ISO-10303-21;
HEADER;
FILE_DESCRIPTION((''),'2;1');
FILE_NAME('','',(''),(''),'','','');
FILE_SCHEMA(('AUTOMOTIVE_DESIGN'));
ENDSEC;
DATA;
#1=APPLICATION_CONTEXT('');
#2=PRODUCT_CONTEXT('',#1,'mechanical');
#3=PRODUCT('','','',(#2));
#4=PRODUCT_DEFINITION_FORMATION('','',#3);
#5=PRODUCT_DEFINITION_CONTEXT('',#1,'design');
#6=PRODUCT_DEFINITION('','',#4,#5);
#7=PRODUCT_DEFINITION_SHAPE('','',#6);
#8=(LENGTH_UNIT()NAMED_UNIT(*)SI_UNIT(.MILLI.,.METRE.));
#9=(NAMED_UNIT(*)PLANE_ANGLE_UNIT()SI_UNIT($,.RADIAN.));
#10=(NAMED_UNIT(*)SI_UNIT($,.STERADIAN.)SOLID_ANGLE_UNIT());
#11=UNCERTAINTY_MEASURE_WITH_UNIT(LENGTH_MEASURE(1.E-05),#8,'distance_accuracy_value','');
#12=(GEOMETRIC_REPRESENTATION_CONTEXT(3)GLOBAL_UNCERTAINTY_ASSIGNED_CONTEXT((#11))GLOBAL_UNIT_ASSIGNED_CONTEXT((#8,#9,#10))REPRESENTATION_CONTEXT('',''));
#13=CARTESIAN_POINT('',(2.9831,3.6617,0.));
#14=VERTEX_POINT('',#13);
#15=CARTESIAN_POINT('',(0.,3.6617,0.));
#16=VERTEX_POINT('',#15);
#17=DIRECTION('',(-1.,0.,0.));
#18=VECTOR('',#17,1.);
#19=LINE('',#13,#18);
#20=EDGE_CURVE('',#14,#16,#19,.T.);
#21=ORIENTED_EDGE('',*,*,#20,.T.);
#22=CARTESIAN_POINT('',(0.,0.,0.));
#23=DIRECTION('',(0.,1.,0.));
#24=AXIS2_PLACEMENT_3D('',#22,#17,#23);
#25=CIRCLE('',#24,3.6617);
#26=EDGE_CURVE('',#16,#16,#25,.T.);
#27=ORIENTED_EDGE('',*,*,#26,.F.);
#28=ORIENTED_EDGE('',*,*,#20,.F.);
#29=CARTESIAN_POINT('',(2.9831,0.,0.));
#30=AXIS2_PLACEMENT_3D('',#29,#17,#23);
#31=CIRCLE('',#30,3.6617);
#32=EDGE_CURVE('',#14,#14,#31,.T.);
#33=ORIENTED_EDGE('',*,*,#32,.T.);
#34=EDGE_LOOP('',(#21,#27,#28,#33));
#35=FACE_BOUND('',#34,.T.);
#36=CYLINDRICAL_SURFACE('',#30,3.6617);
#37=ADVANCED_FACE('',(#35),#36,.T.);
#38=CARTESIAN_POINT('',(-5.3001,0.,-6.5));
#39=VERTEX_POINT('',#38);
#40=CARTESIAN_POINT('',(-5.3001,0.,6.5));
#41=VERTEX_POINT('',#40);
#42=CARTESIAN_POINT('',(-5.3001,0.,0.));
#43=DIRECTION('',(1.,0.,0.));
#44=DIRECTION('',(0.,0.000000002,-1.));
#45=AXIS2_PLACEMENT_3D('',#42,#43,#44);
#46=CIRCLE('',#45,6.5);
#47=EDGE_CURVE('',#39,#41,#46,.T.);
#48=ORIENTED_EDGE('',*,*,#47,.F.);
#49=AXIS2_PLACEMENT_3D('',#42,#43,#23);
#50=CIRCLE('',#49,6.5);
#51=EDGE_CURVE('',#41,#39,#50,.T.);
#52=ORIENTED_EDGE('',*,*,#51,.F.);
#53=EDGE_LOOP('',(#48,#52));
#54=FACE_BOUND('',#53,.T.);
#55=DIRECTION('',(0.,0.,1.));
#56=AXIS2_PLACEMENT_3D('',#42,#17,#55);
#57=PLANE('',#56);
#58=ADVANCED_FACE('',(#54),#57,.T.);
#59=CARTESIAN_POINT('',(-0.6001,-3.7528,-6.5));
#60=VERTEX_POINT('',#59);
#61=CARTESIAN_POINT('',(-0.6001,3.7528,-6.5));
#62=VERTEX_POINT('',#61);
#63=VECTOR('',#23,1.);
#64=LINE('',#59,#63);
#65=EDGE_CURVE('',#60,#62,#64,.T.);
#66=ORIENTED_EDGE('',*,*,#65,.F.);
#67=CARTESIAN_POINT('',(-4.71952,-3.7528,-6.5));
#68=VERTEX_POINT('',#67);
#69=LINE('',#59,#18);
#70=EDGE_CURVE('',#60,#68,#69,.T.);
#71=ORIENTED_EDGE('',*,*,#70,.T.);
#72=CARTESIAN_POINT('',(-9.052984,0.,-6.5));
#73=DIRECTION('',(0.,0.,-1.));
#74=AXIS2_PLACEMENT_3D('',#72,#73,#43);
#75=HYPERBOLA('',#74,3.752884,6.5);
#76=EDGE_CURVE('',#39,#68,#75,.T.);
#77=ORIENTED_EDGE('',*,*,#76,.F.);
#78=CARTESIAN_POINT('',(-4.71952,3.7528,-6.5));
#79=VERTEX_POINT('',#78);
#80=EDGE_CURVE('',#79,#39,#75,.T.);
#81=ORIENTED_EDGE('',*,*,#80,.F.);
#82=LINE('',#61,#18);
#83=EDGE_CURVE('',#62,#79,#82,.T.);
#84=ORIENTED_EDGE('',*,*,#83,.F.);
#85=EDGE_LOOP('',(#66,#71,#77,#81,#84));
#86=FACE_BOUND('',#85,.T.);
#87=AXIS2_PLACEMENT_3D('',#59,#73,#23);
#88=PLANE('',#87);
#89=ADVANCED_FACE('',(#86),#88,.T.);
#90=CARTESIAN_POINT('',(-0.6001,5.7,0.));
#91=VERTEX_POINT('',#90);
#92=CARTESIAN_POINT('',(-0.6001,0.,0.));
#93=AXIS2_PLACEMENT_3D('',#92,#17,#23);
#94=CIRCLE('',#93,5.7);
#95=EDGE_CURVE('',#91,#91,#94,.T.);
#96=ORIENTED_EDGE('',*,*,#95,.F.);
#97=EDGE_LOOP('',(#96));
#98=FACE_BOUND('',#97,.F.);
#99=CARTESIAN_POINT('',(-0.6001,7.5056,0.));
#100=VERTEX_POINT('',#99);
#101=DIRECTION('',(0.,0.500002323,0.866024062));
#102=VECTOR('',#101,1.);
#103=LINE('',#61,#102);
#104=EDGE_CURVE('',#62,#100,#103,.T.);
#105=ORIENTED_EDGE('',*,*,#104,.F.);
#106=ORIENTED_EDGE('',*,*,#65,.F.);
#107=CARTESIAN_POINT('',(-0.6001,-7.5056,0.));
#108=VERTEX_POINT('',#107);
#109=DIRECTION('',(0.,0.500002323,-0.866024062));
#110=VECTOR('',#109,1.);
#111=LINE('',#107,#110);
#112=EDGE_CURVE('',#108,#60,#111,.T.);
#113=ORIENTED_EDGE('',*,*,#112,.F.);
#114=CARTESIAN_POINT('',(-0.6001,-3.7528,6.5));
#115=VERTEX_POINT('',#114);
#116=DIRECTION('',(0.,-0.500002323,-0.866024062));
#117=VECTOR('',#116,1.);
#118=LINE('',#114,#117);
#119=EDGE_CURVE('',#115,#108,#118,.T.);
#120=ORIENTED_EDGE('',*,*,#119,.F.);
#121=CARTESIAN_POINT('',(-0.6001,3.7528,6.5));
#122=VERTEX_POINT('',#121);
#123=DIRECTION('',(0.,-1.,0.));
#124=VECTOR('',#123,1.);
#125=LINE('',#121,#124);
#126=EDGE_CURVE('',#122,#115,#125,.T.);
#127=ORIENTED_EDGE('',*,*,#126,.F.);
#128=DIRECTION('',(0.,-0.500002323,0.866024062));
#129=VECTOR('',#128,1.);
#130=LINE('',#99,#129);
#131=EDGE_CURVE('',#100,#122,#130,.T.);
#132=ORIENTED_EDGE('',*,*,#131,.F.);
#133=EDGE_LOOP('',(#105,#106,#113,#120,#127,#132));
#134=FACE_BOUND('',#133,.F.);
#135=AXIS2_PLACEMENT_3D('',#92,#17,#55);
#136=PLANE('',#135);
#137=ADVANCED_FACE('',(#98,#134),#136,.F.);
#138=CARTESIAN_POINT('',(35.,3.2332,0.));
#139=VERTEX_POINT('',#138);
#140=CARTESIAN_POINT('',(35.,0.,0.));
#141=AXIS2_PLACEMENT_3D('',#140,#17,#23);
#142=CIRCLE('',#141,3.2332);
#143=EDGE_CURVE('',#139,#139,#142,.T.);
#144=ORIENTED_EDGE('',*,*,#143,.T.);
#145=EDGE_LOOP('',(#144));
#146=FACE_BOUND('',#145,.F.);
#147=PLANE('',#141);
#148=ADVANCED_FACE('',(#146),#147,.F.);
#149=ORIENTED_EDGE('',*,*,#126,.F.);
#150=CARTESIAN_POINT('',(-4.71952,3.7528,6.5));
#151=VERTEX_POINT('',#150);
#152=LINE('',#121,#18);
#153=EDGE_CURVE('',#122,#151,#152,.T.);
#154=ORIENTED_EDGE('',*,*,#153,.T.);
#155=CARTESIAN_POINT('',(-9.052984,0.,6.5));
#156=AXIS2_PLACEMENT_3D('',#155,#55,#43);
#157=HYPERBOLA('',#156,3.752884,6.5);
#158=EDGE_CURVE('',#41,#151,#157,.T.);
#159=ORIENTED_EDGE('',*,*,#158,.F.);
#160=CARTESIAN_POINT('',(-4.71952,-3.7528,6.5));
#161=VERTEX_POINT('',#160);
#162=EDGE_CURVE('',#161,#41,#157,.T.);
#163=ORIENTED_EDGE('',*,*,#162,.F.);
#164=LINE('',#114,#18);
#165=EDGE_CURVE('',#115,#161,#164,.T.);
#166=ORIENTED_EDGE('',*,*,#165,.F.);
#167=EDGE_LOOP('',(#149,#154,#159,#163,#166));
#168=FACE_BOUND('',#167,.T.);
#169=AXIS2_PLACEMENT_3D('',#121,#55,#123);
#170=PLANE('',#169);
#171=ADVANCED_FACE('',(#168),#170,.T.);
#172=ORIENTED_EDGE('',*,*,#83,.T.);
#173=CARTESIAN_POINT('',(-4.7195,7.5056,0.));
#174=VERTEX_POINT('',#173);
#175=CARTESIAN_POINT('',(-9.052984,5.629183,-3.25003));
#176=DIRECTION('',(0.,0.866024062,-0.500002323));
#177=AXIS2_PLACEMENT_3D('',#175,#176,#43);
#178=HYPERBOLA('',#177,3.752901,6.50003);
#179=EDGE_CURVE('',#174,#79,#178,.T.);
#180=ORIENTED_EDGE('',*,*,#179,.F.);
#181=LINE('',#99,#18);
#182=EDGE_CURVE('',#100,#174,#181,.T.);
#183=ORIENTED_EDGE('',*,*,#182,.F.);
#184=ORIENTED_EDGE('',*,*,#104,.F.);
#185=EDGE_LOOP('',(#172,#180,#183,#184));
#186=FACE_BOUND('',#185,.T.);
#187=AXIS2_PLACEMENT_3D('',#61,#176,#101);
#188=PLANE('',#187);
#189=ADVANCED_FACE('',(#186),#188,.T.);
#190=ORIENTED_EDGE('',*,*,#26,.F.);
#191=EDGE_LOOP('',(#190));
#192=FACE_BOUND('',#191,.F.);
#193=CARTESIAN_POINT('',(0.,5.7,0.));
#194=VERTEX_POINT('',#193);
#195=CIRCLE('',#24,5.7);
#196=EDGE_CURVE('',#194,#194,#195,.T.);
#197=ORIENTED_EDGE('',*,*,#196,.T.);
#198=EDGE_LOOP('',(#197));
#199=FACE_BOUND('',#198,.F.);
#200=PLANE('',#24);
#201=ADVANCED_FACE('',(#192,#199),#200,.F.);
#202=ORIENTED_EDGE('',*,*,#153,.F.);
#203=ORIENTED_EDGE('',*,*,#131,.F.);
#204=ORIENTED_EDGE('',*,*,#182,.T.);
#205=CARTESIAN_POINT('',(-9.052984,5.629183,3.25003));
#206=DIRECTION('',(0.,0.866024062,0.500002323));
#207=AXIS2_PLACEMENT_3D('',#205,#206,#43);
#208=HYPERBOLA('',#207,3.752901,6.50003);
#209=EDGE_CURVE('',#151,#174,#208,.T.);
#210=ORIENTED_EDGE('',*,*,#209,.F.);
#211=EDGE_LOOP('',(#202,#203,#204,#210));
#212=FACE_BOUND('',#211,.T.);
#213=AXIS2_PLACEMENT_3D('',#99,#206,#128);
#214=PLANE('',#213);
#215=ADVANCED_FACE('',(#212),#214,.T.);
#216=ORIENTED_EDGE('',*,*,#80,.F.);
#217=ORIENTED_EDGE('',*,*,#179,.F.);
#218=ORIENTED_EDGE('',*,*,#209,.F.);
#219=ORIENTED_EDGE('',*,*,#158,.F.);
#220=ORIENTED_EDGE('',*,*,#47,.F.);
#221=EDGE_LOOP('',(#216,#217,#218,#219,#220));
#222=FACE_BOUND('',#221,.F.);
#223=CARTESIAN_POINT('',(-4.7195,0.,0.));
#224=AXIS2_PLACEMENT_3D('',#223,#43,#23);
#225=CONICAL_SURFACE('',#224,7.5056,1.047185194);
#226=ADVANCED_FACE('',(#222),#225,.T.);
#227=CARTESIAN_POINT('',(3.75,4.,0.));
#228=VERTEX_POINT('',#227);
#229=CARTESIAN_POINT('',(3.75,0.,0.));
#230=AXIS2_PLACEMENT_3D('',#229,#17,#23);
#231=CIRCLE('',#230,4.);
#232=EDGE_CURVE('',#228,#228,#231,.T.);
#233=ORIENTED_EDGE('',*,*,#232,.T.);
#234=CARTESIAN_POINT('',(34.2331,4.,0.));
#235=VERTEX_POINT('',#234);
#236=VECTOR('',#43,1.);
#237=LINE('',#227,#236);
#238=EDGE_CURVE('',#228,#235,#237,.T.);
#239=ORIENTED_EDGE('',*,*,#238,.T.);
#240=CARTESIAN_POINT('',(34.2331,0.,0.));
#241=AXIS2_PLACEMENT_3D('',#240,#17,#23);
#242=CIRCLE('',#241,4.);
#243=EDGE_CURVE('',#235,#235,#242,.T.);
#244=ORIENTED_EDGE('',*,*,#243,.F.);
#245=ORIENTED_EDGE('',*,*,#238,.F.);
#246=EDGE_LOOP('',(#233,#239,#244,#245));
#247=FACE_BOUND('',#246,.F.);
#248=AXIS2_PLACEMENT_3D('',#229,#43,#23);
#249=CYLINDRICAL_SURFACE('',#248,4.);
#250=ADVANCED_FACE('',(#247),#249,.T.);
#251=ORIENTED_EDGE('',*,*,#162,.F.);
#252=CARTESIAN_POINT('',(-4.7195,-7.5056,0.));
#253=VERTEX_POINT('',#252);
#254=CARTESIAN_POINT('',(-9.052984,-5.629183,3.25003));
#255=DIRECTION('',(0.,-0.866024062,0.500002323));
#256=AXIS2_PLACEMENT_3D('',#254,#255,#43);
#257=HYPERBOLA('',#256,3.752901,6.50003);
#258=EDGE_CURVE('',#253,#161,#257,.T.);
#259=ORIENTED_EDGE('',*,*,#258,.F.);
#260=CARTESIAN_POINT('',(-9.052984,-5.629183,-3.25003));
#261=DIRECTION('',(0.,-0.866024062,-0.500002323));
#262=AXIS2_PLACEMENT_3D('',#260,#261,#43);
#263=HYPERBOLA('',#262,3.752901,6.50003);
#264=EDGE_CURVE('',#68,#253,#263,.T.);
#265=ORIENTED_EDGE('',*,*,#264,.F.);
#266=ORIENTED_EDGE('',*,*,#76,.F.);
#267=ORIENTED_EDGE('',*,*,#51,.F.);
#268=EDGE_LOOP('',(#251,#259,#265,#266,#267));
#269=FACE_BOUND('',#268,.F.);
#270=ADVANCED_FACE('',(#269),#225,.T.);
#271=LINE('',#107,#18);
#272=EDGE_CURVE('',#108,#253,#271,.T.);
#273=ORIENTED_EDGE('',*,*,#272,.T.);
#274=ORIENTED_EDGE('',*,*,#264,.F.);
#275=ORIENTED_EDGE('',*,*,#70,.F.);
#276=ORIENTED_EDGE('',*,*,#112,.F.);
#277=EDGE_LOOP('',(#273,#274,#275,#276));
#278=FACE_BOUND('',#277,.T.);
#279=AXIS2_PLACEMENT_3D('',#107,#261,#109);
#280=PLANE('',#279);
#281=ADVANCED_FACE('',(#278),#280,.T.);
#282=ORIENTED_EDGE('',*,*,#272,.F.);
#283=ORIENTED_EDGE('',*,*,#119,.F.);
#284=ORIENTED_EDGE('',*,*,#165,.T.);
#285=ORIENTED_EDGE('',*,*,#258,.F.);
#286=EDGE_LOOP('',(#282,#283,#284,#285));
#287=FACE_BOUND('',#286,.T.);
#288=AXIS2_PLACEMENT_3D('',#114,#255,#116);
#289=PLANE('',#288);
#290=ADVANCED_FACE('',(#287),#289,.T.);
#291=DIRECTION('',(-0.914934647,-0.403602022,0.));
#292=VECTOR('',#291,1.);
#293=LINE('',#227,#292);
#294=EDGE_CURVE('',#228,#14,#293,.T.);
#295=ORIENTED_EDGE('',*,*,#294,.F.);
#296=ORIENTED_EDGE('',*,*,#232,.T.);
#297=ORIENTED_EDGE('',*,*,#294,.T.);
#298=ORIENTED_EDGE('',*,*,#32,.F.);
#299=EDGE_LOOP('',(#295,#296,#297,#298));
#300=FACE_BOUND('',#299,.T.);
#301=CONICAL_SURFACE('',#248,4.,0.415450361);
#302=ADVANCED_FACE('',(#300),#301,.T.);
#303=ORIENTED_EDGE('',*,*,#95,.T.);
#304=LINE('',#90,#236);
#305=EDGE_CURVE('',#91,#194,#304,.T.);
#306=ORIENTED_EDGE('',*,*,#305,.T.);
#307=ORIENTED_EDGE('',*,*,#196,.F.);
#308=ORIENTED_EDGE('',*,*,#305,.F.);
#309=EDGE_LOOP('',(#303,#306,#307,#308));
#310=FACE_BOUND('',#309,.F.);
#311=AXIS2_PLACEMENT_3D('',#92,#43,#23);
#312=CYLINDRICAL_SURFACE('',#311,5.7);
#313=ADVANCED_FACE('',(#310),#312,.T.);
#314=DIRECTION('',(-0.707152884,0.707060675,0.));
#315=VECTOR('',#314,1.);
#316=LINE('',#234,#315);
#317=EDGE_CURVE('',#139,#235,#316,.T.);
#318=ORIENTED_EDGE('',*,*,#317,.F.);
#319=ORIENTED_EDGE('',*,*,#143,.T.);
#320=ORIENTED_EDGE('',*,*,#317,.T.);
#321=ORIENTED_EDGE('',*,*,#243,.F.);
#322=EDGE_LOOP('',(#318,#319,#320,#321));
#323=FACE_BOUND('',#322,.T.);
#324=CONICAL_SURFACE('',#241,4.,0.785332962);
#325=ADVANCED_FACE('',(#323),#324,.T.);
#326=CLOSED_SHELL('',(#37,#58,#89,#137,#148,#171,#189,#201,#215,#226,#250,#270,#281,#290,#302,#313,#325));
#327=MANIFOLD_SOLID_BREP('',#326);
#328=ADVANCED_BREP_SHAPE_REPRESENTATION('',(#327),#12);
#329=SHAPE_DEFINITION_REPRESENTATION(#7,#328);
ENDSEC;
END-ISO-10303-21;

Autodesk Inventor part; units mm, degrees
ref_plane "YZ Plane" through (0, 0, 0) normal (1, 0, 0) x (0, 1, 0)
ref_plane "XZ Plane" through (0, 0, 0) normal (0, 1, 0) x (-1, 0, 0)
sketch "Sketch1" plane through (0, 0, 0) normal (0, 0, 1) x (1, 0, 0)
  line L0 (0, 5.7) -> (0, 3.6617)
  line L1 (3.75, 4) -> (35, 4)
  line L2 (35, 4) -> (35, 0)
  line L3 (35, 0) -> (-0.6001, 0)
  line L4 (-7.7201, 0) -> (42.12, 0) projected
  line L5 (-0.6001, 0) -> (-0.6001, 5.7)
  line L6 (-0.6001, 5.7) -> (0, 5.7)
  line L7 (3.75, 4) -> (2.9831, 3.6617)
  line L8 (2.9831, 3.6617) -> (0, 3.6617)
  line L9 (0, -1.14) -> (0, 6.84) projected
  dimension "d0" = 35
  dimension "d1" = 31.25
  dimension "d2" = 8
  dimension "d9" = 0.6001
  dimension "d10" = 11.4
  dimension "d13" = 0.7669
  dimension "d14" = 7.3234
revolve "Body" add sketch "Sketch1" angle 360 about axis through (35, 0, 0) along (-1, 0, 0)
sketch "Sketch2" plane through (-0.6001, 0, 0) normal (-1, 0, 0) x (0, 0, 1)
  line L0 (0, 7.5056) -> (6.5, 3.7528)
  line L1 (6.5, 3.7528) -> (6.5, -3.7528)
  line L2 (6.5, -3.7528) -> (0, -7.5056)
  line L3 (0, -7.5056) -> (-6.5, -3.7528)
  line L4 (-6.5, -3.7528) -> (-6.5, 3.7528)
  line L5 (-6.5, 3.7528) -> (0, 7.5056)
  point P0 (0, 0)
  point P1 (0, 0)
  dimension "d11" = 13
extrude "Head" add sketch "Sketch2" along normal blind 4.7
sketch "Sketch4" plane through (0, 0, 0) normal (0, 0, 1) x (1, 0, 0)
  line L0 (-5.3001, 6.5) -> (-5.3001, 7.5056)
  line L1 (-5.3001, 7.5056) -> (-4.7195, 7.5056)
  line L2 (-4.7195, 7.5056) -> (-5.3001, 6.5)
  line L3 (-6.2401, 0) -> (0.3399, 0) projected
  line L4 (-0.6001, 7.5056) -> (-5.3001, 7.5056) projected
  line L5 (-5.3001, 3.7528) -> (-5.3001, 7.5056) projected
  dimension "d5" = 30
  dimension "d19" = 13
revolve "Chamfer1" cut sketch "Sketch4" angle 360 about axis through (-10, 0, 0) along (1, 0, 0)
thread "Thread" size "M8x1.25" class "6g" standard "ISO Metric profile" length 31.25
chamfer "Chamfer2" distance 0.7668 distance2 0.7669 1 edges at (35, -4, 0) measured on face at (35, -0.3588, 0.308)
ref_plane "Work Plane1" through (1.525, 0, 0) normal (0, 0, 1) x (1, 0, 0)
equation "\"d0\" = NLG"
equation "\"d1\" = GEL"
equation "\"d2\" = GD"
equation "\"d10\" = SD2"
equation "\"d14\" = BDM"
equation "\"d11\" = SW"
equation "\"d3\" = KOH - SD"
equation "\"d5\" = ANG1"
equation "\"d19\" = SW0"
equation "\"d15\" = GEL"
equation "\"d6\" = -0.5 * SPD + 0.5 * GD"
equation "\"NLG\" = 35"
equation "\"GD\" = NND"
equation "\"BDM\" = 7.32342"
equation "\"KOH\" = 5.3"
equation "\"GEL\" = 31.25"
equation "\"SW\" = 13"
equation "\"SW0\" = 13"
equation "\"SPD\" = NND - 1.2269 * PTC"
equation "\"SD2\" = 11.4"
equation "\"SD\" = 0.6"
equation "\"ANG1\" = 30deg"
equation "\"GAL\" = 0.61345 * PTC"
equation "\"GUL\" = 0.61345 * PTC"
equation "\"RR\" = 0.4"
equation "\"GD1\" = THREADDIA - 1.2269 * PTC"
equation "\"THREADDIA\" = 8"
equation "\"TOA\" = 30deg"
equation "\"PTC\" = 1.25"
equation "\"NND\" = 8"
equation "\"E0\" = 1.155 * SW"
properties part number "DIN 933 - M8  x 35" material "Steel, Mild"
